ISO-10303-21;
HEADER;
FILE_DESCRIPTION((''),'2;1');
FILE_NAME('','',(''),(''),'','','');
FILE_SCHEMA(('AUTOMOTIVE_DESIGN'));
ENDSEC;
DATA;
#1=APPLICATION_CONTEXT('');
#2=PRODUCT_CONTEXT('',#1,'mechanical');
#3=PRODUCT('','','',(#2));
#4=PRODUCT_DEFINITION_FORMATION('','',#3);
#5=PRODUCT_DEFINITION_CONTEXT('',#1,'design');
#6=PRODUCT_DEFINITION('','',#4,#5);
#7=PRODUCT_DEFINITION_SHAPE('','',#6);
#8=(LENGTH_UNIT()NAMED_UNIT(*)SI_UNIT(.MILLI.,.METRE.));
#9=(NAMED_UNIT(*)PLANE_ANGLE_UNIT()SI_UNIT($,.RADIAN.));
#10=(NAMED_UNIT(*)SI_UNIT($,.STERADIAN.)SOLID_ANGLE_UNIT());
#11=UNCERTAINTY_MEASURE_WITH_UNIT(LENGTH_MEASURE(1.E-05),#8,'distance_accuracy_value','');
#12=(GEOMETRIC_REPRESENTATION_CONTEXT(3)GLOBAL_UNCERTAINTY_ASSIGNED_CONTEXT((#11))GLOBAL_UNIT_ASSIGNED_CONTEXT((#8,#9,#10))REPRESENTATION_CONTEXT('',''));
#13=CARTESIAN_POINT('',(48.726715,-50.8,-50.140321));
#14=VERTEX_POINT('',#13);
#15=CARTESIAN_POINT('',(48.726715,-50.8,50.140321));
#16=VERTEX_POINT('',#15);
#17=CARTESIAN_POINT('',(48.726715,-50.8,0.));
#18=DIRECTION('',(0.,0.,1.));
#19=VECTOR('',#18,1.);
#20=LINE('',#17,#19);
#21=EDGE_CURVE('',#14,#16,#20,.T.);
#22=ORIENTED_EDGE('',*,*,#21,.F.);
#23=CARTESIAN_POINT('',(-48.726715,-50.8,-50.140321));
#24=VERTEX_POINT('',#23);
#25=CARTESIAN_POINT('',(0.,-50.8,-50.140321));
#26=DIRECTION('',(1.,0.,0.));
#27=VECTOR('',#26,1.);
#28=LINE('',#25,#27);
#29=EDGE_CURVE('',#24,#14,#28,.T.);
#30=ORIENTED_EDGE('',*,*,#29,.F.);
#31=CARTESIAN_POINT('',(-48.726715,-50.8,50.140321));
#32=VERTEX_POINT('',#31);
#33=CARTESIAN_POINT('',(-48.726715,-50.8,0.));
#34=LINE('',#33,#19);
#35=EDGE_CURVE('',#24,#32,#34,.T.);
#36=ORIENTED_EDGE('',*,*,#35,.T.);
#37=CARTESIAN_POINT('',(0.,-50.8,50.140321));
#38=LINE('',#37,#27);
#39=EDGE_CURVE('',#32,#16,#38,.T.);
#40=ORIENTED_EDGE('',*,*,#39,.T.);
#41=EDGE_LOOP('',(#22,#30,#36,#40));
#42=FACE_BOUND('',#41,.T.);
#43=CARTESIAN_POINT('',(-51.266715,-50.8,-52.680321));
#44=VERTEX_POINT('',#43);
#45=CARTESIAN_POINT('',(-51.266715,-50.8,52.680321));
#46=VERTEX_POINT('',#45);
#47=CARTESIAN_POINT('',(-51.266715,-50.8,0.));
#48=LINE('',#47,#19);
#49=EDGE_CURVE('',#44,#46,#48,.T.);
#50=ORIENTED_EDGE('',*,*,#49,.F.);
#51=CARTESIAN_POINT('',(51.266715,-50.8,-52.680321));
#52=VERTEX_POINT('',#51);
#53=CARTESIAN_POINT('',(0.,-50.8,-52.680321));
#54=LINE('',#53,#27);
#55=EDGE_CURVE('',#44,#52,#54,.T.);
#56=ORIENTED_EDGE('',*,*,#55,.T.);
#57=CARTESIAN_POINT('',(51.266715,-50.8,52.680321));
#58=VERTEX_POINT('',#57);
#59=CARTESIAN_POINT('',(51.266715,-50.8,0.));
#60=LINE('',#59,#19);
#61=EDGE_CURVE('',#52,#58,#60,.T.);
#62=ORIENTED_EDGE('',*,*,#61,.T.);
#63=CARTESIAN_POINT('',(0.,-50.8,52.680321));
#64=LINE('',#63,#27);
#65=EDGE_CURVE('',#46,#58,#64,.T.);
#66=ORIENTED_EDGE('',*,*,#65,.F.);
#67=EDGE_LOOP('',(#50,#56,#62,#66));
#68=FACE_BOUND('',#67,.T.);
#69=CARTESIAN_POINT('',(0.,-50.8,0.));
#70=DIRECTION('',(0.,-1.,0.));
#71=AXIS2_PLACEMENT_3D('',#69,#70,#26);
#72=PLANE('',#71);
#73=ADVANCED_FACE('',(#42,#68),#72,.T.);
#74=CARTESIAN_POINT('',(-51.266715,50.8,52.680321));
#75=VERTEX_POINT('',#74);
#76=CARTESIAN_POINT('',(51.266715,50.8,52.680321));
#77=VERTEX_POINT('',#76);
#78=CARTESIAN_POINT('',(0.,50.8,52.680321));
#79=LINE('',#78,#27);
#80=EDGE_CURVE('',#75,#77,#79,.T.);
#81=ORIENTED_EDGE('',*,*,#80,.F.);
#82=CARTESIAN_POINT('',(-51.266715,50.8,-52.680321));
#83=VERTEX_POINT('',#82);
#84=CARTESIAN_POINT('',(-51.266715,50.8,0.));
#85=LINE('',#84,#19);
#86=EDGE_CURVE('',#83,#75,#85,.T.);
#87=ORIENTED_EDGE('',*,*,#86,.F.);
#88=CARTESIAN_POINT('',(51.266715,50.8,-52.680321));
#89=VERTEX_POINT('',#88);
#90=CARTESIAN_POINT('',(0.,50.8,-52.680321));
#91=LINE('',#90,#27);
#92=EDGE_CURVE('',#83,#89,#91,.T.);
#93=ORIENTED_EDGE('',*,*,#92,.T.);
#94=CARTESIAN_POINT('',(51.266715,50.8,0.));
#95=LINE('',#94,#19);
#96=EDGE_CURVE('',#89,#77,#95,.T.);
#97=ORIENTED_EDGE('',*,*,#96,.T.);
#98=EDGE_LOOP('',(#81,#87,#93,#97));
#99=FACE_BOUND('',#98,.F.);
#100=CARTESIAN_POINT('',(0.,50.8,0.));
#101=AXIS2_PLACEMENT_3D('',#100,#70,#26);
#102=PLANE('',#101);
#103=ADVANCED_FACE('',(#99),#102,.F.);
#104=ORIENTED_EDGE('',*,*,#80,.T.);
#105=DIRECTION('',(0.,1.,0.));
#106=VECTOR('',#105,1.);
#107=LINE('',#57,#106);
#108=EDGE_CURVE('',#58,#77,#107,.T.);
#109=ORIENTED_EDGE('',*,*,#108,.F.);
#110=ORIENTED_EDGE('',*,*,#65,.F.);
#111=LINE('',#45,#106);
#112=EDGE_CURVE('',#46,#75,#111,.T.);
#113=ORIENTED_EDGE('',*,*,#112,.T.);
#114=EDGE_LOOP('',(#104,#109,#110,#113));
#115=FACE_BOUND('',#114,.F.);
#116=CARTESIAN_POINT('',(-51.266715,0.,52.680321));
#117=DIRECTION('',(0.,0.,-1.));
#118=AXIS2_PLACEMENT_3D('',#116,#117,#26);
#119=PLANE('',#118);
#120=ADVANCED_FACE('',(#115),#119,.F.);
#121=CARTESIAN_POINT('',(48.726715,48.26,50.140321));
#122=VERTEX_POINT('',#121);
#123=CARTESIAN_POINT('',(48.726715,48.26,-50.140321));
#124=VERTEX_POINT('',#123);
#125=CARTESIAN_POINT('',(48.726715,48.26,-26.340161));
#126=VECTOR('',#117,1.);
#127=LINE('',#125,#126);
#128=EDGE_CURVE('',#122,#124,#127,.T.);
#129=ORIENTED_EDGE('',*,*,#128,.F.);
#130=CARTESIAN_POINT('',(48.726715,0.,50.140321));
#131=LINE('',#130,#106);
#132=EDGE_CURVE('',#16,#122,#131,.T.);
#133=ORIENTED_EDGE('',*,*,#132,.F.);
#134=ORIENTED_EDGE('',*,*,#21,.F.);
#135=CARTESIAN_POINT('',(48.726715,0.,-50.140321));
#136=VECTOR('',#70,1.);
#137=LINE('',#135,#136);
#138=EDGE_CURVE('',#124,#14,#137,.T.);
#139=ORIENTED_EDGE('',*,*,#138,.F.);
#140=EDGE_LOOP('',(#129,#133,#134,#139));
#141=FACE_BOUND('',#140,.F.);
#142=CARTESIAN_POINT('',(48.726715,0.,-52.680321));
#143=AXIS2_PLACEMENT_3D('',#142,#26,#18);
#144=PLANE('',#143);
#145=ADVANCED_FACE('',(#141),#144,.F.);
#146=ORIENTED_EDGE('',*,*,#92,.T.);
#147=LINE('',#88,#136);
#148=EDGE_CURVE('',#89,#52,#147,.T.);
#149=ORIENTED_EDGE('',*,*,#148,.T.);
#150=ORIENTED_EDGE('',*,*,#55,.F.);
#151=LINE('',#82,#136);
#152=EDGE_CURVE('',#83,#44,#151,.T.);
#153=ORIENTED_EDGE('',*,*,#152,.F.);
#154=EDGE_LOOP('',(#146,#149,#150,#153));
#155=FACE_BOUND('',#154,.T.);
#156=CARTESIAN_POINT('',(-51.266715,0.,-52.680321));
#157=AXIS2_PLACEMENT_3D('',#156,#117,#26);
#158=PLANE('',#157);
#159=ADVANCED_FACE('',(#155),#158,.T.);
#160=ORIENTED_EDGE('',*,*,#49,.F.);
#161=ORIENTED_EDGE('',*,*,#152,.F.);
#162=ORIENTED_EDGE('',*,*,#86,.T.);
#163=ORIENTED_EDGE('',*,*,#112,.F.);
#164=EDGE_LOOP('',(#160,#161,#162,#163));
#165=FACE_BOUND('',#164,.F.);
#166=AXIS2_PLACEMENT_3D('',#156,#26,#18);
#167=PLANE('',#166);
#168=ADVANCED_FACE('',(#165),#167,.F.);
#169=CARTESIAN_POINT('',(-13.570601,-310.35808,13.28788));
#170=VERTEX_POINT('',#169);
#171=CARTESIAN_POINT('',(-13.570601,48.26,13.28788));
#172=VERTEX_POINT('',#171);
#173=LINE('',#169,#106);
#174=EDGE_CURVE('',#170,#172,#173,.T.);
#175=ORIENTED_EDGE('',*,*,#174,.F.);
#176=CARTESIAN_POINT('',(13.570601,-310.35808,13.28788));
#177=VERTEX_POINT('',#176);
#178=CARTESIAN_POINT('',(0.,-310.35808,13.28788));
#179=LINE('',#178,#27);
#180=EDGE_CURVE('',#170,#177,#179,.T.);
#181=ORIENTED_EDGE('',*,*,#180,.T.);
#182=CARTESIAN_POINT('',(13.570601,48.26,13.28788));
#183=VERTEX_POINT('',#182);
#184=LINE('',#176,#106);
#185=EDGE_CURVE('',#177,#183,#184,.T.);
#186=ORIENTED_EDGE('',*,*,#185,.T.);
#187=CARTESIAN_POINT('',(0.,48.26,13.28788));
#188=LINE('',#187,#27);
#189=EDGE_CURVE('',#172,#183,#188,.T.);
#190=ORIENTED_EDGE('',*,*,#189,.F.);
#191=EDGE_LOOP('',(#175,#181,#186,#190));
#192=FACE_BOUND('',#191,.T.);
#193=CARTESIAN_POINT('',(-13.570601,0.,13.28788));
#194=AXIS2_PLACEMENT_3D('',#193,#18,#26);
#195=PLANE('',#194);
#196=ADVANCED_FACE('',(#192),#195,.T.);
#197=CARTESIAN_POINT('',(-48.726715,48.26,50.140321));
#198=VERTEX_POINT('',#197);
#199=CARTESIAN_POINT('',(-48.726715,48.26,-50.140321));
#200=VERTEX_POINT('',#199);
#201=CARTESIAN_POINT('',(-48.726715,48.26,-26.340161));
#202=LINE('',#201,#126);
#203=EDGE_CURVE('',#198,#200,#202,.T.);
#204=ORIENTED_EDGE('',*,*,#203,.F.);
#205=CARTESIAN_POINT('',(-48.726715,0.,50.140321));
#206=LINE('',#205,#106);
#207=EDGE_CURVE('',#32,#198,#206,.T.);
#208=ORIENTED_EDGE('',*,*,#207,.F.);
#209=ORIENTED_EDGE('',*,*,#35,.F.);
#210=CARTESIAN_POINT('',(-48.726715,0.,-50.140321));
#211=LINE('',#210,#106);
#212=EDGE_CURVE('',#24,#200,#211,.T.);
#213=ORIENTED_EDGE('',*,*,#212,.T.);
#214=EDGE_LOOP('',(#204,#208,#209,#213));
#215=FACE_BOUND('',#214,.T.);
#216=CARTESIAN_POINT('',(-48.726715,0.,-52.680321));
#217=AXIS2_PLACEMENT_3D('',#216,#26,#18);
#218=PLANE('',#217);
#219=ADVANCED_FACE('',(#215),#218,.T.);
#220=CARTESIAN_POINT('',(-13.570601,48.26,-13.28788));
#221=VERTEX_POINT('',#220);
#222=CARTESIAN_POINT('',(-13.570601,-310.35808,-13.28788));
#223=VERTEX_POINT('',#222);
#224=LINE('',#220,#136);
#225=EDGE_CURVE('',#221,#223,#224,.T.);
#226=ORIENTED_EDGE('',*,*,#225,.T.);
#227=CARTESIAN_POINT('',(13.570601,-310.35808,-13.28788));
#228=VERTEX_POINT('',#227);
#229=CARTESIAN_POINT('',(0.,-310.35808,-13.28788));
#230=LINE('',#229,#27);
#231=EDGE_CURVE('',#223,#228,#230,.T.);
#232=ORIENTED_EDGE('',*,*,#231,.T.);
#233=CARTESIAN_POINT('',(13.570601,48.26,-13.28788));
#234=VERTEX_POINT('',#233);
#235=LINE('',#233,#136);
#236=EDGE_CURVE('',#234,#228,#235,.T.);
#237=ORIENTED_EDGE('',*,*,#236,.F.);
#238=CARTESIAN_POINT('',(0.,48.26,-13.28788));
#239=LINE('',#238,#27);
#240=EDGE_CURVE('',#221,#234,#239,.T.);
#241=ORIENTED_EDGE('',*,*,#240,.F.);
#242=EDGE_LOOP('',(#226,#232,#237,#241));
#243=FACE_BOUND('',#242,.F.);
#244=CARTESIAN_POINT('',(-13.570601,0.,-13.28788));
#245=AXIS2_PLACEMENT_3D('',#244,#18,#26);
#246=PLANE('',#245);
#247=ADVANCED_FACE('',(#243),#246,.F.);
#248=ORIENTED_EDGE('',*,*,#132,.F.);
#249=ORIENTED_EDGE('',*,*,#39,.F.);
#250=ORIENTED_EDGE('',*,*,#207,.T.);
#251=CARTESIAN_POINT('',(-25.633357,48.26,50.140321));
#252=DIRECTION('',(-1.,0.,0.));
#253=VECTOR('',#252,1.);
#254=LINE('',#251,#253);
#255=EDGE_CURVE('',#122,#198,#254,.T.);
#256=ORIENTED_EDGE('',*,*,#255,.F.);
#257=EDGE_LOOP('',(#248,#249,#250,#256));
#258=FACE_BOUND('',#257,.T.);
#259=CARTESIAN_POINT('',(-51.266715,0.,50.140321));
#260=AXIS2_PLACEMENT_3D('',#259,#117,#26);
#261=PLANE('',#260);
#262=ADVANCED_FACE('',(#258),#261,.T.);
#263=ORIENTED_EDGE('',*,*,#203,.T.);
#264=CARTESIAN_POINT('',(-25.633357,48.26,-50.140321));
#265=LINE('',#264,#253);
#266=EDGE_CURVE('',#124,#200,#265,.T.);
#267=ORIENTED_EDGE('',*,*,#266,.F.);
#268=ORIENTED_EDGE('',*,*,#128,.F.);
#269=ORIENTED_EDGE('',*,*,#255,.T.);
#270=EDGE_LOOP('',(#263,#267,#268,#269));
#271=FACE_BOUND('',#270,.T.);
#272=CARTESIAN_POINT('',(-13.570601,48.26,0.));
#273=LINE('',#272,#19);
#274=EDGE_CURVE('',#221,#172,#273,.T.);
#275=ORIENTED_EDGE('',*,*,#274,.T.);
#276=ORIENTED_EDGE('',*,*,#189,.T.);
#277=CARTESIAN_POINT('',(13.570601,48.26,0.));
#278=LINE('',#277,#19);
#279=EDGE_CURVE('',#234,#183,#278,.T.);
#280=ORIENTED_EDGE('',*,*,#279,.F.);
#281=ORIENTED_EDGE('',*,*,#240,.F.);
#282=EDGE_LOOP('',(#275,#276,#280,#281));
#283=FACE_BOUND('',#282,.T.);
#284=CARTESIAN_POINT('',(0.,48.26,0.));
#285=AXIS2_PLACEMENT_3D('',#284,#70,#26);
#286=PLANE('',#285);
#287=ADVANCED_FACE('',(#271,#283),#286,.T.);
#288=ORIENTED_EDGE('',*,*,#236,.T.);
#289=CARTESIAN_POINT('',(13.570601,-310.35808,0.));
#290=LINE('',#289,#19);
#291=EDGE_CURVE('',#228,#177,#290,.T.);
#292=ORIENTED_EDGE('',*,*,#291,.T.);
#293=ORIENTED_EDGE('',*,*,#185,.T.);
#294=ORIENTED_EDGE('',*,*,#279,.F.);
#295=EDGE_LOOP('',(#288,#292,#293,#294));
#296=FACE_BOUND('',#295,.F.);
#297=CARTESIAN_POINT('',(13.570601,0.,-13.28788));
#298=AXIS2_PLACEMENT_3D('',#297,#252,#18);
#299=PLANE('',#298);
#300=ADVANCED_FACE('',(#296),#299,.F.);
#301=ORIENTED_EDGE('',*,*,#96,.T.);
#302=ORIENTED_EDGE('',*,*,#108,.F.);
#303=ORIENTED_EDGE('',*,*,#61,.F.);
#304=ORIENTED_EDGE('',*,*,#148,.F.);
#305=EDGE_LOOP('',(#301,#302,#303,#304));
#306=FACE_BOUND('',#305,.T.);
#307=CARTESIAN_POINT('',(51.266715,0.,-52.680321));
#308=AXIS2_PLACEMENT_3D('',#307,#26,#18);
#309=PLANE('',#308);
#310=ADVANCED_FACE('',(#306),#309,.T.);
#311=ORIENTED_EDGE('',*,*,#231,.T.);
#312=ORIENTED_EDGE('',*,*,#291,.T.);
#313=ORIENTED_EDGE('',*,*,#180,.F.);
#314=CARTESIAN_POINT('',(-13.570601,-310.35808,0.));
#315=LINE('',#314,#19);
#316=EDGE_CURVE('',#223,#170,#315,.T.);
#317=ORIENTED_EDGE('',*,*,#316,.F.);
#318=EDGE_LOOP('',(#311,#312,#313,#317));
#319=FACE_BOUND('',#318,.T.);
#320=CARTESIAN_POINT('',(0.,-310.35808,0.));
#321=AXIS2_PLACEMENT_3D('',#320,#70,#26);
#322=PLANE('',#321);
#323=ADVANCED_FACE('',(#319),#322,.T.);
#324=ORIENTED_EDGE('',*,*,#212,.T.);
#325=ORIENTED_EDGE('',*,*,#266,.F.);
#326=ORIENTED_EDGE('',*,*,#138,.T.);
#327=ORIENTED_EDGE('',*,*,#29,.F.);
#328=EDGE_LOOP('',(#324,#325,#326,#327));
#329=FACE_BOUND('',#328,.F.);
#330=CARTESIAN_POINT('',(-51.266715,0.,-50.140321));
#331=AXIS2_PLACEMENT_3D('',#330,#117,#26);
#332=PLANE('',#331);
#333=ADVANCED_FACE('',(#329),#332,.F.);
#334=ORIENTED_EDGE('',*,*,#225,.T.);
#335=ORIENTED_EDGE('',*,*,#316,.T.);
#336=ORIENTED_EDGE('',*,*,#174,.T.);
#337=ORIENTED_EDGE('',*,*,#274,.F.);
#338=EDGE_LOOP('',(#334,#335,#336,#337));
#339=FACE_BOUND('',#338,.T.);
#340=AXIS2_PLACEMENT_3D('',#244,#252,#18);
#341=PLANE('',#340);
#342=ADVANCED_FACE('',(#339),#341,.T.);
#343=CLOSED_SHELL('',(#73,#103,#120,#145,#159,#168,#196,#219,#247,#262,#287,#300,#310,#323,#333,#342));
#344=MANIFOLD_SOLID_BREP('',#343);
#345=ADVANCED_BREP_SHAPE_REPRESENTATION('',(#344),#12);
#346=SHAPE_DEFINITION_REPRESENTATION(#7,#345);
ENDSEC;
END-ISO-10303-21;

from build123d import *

# Parameters (mm, degrees)
F0_W     = 102.5334298611
F0_H     = 105.3606420755
F1_DEPTH = 50.8
F2_T     = -2.54
F3_W     = 27.1412022412
F3_H     = 26.5757590532
F4_DEPTH = 48.26
F5_DEPTH = 310.35808


with BuildPart() as f1:
    # F0 (on Front) → F1 (new body, symmetric)
    with BuildSketch(Plane.XZ):
        Rectangle(F0_W, F0_H)
    extrude(amount=F1_DEPTH, both=True)

    # F2
    f2_openings = [f1.faces().sort_by_distance(p)[0] for p in [
        (0, -50.8, 0),
    ]]
    offset(amount=F2_T, openings=f2_openings)

    # F3 (on Front) → F4 (join, through all)
    with BuildSketch(Plane.XZ):
        Rectangle(F3_W, F3_H)
    extrude(amount=-F4_DEPTH)

    # F5 (add): a face of the model
    f5_faces = [f1.faces().sort_by_distance(p)[0] for p in [
        (0, 0, 0),
    ]]
    extrude(f5_faces, amount=F5_DEPTH)


solid = f1.part
